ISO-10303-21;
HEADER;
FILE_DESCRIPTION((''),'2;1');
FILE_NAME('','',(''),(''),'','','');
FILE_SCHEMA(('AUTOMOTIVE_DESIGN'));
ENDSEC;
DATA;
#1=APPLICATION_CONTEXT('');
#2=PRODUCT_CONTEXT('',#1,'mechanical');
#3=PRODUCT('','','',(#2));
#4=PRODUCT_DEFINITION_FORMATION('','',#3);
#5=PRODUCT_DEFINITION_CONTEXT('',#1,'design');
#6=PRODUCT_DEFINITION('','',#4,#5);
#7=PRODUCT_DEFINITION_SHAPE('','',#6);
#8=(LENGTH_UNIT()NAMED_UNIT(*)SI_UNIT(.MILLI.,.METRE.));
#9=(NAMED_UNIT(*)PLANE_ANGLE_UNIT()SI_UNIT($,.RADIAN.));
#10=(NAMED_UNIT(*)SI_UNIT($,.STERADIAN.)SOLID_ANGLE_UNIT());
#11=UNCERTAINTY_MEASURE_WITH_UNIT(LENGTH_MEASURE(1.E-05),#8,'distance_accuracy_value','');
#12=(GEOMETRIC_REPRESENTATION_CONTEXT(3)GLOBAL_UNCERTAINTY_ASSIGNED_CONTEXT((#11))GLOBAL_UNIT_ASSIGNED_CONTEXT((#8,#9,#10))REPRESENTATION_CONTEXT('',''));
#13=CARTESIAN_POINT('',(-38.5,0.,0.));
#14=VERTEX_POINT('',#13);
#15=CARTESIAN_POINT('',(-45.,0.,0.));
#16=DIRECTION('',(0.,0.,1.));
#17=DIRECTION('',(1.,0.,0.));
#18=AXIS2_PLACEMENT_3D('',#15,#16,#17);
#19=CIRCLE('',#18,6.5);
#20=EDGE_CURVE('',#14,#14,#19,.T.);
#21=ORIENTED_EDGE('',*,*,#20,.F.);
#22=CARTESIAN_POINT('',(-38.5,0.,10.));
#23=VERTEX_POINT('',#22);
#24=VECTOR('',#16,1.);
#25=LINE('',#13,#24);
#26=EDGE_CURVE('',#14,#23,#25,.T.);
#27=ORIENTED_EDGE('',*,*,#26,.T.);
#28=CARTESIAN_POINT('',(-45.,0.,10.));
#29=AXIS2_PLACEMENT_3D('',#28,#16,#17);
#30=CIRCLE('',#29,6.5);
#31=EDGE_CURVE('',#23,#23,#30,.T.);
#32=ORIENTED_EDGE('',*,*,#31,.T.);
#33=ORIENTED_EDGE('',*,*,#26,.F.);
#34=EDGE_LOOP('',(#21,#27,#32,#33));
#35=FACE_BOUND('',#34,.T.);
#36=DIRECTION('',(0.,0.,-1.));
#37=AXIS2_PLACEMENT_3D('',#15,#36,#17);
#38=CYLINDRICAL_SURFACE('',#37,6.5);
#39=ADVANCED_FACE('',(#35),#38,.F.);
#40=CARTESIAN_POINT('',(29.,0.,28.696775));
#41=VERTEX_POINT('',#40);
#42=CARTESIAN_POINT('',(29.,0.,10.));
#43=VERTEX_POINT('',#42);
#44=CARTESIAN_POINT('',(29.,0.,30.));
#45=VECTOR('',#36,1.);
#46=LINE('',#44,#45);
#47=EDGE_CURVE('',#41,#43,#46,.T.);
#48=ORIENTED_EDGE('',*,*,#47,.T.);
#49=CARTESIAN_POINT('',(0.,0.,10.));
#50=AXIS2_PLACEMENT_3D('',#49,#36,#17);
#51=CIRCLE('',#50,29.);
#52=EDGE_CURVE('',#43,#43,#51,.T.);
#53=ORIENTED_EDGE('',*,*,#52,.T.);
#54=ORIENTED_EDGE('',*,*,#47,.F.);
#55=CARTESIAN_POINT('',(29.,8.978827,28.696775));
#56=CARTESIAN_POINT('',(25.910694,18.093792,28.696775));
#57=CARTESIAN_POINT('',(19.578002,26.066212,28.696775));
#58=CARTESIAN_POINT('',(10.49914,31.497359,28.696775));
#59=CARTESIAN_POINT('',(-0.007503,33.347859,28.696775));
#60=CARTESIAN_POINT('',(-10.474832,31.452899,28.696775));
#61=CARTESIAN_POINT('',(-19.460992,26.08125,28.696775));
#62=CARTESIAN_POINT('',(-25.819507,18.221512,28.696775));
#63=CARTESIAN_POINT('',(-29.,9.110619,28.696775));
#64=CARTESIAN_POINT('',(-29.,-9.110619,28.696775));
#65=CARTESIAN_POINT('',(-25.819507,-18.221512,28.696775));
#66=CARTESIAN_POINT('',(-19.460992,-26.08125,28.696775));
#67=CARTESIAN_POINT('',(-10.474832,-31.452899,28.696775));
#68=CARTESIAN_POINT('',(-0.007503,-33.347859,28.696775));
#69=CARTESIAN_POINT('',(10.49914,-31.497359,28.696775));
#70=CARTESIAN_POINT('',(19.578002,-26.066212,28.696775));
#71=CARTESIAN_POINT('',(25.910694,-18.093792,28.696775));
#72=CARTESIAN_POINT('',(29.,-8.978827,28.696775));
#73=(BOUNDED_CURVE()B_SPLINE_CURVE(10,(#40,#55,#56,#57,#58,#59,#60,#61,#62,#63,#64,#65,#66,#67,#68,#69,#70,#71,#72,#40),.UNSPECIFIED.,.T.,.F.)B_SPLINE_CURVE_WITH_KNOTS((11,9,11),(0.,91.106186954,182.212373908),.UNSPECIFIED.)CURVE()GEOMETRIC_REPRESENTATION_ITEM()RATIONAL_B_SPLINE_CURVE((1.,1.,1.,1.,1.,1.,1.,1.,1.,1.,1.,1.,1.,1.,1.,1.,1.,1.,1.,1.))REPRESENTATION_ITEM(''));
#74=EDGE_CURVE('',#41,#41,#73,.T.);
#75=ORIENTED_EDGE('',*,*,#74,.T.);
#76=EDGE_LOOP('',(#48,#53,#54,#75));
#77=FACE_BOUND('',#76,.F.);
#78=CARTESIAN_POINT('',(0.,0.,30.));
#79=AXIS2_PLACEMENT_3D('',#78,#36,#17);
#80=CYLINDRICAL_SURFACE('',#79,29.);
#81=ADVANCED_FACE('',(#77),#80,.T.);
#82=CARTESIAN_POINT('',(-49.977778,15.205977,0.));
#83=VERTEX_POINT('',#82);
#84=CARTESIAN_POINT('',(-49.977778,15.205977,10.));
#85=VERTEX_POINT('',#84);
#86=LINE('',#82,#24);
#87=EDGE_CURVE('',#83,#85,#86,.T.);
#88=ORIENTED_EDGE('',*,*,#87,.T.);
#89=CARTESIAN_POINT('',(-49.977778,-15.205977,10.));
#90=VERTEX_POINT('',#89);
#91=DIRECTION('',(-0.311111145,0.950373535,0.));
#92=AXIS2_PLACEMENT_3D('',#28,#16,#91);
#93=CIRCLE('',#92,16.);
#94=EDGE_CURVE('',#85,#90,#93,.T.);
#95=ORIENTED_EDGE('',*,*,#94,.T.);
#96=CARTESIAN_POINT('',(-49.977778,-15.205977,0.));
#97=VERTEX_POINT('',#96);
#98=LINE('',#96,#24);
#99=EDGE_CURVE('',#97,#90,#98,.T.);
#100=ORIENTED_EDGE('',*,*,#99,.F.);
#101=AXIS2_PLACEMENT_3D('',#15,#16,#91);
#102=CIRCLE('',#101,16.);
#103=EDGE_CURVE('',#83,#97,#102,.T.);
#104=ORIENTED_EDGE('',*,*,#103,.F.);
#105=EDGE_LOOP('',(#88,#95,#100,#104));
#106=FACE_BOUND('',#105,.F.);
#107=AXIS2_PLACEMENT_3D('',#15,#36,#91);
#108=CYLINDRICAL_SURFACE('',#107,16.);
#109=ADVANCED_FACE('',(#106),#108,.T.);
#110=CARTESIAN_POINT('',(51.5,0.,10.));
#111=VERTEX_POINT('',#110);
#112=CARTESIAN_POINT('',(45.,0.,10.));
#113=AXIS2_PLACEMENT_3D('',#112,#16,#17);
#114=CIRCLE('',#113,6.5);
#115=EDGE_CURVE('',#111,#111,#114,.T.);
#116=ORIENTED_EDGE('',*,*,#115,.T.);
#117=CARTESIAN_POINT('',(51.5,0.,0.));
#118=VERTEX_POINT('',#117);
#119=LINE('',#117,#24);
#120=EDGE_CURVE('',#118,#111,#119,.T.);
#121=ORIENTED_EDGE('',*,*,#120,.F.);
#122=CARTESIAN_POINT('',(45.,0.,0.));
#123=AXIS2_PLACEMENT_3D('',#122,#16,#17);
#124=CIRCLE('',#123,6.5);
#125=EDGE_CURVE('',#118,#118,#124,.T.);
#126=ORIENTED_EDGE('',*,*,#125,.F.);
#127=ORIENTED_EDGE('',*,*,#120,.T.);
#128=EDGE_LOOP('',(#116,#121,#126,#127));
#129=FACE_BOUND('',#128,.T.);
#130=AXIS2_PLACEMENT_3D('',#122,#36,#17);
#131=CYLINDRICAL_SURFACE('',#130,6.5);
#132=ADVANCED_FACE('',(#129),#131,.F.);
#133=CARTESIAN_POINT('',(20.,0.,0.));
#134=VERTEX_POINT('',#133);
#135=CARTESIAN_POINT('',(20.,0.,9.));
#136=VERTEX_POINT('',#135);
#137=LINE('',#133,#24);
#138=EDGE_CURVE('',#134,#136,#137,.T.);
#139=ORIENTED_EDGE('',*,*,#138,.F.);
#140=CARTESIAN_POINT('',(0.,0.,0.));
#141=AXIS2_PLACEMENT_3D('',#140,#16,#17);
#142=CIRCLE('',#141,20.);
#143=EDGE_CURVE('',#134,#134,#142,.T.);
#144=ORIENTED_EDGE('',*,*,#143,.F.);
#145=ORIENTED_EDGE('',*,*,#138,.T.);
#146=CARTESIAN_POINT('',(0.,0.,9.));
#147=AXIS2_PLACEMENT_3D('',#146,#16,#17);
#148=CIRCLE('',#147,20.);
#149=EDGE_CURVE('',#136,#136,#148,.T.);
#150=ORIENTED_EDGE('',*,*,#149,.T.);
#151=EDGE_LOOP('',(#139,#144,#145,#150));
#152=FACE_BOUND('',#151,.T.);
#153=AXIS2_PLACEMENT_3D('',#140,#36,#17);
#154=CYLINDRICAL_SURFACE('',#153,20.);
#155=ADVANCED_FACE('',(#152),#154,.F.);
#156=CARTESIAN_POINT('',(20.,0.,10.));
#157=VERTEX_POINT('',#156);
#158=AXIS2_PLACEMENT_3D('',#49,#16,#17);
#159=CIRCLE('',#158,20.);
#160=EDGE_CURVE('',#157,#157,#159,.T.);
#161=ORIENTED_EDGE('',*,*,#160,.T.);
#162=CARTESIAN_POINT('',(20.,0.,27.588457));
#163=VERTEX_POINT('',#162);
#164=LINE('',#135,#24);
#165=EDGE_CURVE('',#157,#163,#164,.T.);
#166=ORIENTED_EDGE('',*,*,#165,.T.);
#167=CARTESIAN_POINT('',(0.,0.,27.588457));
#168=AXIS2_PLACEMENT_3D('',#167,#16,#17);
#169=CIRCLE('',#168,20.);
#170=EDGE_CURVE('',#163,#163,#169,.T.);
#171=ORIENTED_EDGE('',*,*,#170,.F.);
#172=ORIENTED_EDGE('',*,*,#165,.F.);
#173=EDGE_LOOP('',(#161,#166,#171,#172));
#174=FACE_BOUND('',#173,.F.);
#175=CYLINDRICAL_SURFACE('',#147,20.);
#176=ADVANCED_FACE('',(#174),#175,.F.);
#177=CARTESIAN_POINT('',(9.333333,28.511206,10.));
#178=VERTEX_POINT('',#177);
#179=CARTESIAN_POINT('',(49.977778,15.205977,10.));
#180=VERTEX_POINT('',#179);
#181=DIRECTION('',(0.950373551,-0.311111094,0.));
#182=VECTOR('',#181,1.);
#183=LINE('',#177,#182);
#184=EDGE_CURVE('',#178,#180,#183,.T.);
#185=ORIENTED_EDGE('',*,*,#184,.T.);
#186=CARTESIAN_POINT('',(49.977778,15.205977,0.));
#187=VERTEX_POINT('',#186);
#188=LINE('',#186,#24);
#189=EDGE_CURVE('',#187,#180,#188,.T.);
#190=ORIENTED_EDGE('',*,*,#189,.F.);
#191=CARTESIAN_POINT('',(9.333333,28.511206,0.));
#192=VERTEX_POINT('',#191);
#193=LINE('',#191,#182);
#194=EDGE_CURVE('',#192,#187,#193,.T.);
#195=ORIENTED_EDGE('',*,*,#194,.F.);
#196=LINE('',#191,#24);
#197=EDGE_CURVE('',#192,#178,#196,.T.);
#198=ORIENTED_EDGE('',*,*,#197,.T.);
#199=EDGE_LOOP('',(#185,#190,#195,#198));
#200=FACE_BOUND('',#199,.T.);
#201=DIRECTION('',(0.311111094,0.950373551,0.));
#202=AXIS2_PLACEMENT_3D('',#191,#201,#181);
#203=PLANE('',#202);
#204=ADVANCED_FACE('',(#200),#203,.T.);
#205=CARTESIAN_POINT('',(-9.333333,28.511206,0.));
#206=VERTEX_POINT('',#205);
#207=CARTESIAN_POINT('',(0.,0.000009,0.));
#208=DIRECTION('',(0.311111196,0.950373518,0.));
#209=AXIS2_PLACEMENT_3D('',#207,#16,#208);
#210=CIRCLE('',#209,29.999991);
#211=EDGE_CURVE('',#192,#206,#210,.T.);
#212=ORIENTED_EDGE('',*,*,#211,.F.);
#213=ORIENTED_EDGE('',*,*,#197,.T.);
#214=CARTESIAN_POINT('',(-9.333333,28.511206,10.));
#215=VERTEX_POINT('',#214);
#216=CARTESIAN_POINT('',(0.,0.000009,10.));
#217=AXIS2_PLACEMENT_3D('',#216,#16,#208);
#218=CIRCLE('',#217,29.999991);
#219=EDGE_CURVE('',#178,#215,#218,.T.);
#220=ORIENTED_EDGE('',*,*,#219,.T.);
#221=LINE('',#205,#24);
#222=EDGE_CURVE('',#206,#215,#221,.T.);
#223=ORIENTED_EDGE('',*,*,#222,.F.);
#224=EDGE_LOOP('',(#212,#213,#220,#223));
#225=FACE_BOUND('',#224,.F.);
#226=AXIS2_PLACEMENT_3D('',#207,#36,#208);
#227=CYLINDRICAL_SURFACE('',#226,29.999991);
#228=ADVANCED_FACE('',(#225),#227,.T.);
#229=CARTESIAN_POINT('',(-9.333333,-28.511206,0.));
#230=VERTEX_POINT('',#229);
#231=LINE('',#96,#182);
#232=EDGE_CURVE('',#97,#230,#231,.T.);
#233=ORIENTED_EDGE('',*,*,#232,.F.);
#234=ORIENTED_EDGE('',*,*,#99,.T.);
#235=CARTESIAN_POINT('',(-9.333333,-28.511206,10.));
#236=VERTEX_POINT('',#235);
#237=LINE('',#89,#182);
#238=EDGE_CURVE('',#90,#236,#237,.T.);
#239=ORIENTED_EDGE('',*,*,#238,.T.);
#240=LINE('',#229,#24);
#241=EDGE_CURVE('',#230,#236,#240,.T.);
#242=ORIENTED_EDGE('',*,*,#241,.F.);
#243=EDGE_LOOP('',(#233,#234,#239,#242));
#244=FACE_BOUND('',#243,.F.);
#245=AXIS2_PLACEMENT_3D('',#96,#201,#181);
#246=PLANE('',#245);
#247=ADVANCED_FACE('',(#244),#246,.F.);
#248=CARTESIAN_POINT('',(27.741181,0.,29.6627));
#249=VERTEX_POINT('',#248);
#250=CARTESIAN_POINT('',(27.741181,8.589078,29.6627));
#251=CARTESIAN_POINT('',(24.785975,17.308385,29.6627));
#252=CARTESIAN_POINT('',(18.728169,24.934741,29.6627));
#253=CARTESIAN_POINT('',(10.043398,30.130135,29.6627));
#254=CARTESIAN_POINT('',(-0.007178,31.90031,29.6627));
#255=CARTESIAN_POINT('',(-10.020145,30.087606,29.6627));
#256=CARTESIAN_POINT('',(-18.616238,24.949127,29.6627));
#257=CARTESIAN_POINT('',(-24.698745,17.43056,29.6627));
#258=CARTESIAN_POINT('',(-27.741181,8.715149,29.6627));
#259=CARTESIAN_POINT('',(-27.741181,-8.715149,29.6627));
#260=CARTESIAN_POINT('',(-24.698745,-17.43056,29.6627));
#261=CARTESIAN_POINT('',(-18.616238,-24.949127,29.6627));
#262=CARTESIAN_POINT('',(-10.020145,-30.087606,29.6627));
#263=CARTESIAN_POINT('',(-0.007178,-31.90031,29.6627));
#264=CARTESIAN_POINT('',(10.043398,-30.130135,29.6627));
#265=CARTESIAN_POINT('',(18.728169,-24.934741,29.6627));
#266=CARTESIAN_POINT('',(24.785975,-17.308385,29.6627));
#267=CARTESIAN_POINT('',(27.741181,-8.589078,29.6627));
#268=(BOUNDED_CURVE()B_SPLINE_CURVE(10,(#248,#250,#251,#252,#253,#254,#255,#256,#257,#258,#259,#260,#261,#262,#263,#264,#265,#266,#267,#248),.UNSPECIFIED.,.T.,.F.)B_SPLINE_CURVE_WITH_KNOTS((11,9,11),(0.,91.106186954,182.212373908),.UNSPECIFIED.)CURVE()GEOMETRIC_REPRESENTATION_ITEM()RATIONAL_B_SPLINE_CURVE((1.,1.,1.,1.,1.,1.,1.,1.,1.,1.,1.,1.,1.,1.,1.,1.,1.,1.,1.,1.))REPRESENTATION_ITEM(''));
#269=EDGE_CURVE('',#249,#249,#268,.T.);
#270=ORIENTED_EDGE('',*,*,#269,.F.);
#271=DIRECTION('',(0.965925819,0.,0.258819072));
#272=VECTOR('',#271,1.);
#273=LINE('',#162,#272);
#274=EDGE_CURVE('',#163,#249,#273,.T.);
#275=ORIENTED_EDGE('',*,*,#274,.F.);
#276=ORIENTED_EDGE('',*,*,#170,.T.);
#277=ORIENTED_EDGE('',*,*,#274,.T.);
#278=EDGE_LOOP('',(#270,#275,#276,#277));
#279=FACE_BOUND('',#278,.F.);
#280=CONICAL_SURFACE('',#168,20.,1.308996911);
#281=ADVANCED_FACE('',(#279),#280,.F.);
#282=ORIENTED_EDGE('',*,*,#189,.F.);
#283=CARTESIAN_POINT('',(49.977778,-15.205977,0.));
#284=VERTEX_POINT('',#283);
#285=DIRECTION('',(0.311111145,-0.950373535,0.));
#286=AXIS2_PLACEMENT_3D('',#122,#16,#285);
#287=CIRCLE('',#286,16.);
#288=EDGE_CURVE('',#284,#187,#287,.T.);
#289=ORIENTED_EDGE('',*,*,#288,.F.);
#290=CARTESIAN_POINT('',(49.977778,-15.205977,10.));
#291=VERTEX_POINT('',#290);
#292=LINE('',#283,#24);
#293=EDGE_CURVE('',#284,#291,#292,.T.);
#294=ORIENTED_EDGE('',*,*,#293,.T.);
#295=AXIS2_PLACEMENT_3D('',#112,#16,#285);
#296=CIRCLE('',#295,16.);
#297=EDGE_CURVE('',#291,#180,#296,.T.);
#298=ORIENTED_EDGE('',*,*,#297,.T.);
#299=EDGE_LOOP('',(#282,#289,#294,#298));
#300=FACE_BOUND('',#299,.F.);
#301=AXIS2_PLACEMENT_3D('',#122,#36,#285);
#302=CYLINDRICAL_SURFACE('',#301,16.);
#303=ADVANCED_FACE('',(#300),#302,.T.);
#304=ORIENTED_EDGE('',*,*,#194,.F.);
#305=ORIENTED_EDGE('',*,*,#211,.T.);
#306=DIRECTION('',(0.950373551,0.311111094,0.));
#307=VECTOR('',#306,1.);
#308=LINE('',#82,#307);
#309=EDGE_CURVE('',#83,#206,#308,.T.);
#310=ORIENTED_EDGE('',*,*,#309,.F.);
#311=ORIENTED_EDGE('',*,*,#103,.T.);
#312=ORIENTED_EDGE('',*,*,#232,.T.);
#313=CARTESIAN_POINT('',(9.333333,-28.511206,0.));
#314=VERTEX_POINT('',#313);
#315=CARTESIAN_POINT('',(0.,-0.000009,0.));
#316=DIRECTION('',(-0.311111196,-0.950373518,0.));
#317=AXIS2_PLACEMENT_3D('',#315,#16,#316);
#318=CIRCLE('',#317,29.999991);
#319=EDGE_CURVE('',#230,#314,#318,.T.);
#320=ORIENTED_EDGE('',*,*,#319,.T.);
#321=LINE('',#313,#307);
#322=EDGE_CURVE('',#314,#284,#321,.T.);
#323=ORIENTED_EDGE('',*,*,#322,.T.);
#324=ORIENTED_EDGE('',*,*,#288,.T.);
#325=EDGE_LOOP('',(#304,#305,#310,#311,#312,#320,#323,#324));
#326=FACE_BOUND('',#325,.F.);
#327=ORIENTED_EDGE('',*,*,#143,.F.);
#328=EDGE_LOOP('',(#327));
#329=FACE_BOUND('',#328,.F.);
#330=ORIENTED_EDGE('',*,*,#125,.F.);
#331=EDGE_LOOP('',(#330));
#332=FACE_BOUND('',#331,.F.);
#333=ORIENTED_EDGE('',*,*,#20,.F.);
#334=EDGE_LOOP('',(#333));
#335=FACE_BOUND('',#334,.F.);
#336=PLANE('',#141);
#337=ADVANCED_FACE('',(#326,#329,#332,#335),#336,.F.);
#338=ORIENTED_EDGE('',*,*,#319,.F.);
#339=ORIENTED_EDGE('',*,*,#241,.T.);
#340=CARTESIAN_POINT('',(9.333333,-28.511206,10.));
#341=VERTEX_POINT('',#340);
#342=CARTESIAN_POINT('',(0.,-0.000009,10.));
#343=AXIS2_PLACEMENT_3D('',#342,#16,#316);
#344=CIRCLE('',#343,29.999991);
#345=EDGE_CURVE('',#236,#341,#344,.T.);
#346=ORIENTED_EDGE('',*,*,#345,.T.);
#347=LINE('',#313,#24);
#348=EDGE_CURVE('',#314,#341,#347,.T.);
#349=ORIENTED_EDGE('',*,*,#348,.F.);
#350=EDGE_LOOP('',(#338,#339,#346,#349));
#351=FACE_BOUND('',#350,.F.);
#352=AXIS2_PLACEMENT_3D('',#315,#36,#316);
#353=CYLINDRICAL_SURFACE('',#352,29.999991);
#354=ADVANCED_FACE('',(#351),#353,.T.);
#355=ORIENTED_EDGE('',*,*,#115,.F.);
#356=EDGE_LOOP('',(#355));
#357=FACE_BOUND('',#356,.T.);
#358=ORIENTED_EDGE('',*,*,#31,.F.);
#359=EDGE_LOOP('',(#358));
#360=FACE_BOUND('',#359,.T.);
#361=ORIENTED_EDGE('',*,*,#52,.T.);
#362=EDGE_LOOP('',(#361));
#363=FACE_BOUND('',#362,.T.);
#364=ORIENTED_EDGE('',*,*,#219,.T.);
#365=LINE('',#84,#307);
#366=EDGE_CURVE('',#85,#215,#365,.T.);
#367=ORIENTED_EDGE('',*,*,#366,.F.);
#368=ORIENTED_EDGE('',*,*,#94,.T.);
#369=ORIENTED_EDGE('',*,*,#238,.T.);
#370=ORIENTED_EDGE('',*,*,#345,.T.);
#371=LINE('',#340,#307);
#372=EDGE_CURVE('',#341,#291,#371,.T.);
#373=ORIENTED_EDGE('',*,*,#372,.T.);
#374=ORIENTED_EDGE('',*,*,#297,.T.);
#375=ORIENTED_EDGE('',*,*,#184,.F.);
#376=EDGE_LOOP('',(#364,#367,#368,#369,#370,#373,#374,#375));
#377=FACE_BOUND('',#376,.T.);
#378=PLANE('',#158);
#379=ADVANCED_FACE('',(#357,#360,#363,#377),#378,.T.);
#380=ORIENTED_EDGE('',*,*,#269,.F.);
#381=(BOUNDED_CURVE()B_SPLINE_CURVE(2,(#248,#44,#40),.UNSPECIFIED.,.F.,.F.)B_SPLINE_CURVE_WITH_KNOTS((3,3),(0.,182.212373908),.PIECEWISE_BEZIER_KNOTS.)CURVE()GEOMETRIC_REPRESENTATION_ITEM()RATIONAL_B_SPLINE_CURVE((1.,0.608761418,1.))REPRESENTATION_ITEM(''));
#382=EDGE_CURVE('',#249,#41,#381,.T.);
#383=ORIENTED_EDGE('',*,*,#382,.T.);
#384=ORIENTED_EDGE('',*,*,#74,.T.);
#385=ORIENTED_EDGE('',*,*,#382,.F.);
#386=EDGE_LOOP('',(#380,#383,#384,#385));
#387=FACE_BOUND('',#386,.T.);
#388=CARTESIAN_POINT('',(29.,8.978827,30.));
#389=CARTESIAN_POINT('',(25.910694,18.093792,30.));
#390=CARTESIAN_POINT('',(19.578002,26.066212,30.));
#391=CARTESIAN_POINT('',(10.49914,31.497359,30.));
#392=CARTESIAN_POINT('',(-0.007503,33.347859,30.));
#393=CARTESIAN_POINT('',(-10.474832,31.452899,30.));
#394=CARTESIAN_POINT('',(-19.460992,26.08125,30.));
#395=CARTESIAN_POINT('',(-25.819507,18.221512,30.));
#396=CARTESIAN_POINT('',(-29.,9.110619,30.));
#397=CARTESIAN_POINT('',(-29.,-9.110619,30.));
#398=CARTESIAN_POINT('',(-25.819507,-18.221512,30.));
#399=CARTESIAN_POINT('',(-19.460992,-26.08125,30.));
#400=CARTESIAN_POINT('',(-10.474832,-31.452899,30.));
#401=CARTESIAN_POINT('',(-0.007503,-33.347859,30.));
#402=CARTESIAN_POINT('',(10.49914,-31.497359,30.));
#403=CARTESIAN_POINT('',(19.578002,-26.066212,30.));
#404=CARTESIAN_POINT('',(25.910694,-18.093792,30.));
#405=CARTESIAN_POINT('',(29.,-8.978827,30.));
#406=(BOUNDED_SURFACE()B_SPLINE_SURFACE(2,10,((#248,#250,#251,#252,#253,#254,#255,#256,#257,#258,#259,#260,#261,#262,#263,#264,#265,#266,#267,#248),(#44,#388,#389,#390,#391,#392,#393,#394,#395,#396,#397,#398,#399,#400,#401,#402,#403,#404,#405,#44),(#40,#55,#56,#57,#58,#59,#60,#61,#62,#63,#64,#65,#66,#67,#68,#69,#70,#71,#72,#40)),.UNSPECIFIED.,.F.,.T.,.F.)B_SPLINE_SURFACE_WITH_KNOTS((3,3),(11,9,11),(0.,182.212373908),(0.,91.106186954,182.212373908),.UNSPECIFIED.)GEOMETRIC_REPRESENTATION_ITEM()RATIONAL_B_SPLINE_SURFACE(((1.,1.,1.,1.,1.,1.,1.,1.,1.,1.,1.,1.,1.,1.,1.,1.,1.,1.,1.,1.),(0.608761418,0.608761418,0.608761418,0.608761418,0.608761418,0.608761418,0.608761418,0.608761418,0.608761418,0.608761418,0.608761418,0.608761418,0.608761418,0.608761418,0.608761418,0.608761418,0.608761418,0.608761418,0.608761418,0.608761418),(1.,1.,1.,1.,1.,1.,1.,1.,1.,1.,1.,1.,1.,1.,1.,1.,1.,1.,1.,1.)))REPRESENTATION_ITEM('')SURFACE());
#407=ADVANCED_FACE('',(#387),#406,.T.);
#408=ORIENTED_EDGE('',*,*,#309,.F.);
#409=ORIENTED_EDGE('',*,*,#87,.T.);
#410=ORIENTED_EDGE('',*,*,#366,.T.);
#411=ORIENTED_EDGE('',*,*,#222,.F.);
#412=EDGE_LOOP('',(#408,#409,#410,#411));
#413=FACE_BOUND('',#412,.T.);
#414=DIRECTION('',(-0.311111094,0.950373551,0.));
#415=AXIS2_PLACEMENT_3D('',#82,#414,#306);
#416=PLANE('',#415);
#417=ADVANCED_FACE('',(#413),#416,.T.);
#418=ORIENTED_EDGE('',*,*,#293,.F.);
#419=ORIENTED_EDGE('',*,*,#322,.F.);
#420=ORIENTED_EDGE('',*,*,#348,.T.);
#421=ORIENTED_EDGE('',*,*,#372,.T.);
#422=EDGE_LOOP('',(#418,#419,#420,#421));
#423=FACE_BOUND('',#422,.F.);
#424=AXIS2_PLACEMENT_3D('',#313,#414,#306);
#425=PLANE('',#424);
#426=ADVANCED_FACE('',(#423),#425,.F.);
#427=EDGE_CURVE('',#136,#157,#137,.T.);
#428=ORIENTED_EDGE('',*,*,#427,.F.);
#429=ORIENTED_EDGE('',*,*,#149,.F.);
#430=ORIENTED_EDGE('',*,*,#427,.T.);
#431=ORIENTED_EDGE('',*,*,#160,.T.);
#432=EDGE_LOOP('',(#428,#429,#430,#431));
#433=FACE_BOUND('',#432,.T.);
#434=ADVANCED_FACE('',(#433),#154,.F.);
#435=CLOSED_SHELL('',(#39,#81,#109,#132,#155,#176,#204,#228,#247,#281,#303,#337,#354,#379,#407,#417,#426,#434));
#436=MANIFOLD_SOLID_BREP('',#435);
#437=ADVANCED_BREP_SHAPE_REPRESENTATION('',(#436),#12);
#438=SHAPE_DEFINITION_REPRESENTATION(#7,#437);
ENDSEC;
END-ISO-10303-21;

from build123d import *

# Parameters (mm, degrees)
SKETCH_R   = 20
SKETCH_R_2 = 6.5
PAD_DEPTH  = 10
FILLET_R   = 1


with BuildPart() as revolution:
    # Sketch001 → Revolution (revolve)
    with BuildSketch(Plane.XZ):
        Polygon((20, 9), (20, 27.588457), (29, 30), (29, 9), align=None)
    revolve(axis=Axis((0, 0, 0), (0, 0, 1)))


with BuildPart() as fillet_body:
    # Sketch → Pad (new body)
    with BuildSketch(Plane.XY):
        with BuildLine():
            ThreePointArc((9.333333, 28.511206), (0, 30), (-9.333333, 28.511206))
            Line((-49.977778, 15.205977), (-9.333333, 28.511206))
            ThreePointArc((-49.977778, 15.205977), (-61, 0), (-49.977778, -15.205977))
            Line((-49.977778, -15.205977), (-9.333333, -28.511206))
            ThreePointArc((-9.333333, -28.511206), (0, -30), (9.333333, -28.511206))
            Line((9.333333, -28.511206), (49.977778, -15.205977))
            ThreePointArc((49.977778, -15.205977), (61, 0), (49.977778, 15.205977))
            Line((9.333333, 28.511206), (49.977778, 15.205977))
        make_face()
        Circle(SKETCH_R, mode=Mode.SUBTRACT)
        with Locations((-45, 0)):
            Circle(SKETCH_R_2, mode=Mode.SUBTRACT)
        with Locations((45, 0)):
            Circle(SKETCH_R_2, mode=Mode.SUBTRACT)
    extrude(amount=PAD_DEPTH)

    # Fusion: union Revolution
    add(revolution.part)

    # Fillet
    fillet_edges = [fillet_body.edges().sort_by_distance(p)[0] for p in [
        (-29, 0, 30),
    ]]
    fillet(fillet_edges, radius=FILLET_R)


solid = fillet_body.part
